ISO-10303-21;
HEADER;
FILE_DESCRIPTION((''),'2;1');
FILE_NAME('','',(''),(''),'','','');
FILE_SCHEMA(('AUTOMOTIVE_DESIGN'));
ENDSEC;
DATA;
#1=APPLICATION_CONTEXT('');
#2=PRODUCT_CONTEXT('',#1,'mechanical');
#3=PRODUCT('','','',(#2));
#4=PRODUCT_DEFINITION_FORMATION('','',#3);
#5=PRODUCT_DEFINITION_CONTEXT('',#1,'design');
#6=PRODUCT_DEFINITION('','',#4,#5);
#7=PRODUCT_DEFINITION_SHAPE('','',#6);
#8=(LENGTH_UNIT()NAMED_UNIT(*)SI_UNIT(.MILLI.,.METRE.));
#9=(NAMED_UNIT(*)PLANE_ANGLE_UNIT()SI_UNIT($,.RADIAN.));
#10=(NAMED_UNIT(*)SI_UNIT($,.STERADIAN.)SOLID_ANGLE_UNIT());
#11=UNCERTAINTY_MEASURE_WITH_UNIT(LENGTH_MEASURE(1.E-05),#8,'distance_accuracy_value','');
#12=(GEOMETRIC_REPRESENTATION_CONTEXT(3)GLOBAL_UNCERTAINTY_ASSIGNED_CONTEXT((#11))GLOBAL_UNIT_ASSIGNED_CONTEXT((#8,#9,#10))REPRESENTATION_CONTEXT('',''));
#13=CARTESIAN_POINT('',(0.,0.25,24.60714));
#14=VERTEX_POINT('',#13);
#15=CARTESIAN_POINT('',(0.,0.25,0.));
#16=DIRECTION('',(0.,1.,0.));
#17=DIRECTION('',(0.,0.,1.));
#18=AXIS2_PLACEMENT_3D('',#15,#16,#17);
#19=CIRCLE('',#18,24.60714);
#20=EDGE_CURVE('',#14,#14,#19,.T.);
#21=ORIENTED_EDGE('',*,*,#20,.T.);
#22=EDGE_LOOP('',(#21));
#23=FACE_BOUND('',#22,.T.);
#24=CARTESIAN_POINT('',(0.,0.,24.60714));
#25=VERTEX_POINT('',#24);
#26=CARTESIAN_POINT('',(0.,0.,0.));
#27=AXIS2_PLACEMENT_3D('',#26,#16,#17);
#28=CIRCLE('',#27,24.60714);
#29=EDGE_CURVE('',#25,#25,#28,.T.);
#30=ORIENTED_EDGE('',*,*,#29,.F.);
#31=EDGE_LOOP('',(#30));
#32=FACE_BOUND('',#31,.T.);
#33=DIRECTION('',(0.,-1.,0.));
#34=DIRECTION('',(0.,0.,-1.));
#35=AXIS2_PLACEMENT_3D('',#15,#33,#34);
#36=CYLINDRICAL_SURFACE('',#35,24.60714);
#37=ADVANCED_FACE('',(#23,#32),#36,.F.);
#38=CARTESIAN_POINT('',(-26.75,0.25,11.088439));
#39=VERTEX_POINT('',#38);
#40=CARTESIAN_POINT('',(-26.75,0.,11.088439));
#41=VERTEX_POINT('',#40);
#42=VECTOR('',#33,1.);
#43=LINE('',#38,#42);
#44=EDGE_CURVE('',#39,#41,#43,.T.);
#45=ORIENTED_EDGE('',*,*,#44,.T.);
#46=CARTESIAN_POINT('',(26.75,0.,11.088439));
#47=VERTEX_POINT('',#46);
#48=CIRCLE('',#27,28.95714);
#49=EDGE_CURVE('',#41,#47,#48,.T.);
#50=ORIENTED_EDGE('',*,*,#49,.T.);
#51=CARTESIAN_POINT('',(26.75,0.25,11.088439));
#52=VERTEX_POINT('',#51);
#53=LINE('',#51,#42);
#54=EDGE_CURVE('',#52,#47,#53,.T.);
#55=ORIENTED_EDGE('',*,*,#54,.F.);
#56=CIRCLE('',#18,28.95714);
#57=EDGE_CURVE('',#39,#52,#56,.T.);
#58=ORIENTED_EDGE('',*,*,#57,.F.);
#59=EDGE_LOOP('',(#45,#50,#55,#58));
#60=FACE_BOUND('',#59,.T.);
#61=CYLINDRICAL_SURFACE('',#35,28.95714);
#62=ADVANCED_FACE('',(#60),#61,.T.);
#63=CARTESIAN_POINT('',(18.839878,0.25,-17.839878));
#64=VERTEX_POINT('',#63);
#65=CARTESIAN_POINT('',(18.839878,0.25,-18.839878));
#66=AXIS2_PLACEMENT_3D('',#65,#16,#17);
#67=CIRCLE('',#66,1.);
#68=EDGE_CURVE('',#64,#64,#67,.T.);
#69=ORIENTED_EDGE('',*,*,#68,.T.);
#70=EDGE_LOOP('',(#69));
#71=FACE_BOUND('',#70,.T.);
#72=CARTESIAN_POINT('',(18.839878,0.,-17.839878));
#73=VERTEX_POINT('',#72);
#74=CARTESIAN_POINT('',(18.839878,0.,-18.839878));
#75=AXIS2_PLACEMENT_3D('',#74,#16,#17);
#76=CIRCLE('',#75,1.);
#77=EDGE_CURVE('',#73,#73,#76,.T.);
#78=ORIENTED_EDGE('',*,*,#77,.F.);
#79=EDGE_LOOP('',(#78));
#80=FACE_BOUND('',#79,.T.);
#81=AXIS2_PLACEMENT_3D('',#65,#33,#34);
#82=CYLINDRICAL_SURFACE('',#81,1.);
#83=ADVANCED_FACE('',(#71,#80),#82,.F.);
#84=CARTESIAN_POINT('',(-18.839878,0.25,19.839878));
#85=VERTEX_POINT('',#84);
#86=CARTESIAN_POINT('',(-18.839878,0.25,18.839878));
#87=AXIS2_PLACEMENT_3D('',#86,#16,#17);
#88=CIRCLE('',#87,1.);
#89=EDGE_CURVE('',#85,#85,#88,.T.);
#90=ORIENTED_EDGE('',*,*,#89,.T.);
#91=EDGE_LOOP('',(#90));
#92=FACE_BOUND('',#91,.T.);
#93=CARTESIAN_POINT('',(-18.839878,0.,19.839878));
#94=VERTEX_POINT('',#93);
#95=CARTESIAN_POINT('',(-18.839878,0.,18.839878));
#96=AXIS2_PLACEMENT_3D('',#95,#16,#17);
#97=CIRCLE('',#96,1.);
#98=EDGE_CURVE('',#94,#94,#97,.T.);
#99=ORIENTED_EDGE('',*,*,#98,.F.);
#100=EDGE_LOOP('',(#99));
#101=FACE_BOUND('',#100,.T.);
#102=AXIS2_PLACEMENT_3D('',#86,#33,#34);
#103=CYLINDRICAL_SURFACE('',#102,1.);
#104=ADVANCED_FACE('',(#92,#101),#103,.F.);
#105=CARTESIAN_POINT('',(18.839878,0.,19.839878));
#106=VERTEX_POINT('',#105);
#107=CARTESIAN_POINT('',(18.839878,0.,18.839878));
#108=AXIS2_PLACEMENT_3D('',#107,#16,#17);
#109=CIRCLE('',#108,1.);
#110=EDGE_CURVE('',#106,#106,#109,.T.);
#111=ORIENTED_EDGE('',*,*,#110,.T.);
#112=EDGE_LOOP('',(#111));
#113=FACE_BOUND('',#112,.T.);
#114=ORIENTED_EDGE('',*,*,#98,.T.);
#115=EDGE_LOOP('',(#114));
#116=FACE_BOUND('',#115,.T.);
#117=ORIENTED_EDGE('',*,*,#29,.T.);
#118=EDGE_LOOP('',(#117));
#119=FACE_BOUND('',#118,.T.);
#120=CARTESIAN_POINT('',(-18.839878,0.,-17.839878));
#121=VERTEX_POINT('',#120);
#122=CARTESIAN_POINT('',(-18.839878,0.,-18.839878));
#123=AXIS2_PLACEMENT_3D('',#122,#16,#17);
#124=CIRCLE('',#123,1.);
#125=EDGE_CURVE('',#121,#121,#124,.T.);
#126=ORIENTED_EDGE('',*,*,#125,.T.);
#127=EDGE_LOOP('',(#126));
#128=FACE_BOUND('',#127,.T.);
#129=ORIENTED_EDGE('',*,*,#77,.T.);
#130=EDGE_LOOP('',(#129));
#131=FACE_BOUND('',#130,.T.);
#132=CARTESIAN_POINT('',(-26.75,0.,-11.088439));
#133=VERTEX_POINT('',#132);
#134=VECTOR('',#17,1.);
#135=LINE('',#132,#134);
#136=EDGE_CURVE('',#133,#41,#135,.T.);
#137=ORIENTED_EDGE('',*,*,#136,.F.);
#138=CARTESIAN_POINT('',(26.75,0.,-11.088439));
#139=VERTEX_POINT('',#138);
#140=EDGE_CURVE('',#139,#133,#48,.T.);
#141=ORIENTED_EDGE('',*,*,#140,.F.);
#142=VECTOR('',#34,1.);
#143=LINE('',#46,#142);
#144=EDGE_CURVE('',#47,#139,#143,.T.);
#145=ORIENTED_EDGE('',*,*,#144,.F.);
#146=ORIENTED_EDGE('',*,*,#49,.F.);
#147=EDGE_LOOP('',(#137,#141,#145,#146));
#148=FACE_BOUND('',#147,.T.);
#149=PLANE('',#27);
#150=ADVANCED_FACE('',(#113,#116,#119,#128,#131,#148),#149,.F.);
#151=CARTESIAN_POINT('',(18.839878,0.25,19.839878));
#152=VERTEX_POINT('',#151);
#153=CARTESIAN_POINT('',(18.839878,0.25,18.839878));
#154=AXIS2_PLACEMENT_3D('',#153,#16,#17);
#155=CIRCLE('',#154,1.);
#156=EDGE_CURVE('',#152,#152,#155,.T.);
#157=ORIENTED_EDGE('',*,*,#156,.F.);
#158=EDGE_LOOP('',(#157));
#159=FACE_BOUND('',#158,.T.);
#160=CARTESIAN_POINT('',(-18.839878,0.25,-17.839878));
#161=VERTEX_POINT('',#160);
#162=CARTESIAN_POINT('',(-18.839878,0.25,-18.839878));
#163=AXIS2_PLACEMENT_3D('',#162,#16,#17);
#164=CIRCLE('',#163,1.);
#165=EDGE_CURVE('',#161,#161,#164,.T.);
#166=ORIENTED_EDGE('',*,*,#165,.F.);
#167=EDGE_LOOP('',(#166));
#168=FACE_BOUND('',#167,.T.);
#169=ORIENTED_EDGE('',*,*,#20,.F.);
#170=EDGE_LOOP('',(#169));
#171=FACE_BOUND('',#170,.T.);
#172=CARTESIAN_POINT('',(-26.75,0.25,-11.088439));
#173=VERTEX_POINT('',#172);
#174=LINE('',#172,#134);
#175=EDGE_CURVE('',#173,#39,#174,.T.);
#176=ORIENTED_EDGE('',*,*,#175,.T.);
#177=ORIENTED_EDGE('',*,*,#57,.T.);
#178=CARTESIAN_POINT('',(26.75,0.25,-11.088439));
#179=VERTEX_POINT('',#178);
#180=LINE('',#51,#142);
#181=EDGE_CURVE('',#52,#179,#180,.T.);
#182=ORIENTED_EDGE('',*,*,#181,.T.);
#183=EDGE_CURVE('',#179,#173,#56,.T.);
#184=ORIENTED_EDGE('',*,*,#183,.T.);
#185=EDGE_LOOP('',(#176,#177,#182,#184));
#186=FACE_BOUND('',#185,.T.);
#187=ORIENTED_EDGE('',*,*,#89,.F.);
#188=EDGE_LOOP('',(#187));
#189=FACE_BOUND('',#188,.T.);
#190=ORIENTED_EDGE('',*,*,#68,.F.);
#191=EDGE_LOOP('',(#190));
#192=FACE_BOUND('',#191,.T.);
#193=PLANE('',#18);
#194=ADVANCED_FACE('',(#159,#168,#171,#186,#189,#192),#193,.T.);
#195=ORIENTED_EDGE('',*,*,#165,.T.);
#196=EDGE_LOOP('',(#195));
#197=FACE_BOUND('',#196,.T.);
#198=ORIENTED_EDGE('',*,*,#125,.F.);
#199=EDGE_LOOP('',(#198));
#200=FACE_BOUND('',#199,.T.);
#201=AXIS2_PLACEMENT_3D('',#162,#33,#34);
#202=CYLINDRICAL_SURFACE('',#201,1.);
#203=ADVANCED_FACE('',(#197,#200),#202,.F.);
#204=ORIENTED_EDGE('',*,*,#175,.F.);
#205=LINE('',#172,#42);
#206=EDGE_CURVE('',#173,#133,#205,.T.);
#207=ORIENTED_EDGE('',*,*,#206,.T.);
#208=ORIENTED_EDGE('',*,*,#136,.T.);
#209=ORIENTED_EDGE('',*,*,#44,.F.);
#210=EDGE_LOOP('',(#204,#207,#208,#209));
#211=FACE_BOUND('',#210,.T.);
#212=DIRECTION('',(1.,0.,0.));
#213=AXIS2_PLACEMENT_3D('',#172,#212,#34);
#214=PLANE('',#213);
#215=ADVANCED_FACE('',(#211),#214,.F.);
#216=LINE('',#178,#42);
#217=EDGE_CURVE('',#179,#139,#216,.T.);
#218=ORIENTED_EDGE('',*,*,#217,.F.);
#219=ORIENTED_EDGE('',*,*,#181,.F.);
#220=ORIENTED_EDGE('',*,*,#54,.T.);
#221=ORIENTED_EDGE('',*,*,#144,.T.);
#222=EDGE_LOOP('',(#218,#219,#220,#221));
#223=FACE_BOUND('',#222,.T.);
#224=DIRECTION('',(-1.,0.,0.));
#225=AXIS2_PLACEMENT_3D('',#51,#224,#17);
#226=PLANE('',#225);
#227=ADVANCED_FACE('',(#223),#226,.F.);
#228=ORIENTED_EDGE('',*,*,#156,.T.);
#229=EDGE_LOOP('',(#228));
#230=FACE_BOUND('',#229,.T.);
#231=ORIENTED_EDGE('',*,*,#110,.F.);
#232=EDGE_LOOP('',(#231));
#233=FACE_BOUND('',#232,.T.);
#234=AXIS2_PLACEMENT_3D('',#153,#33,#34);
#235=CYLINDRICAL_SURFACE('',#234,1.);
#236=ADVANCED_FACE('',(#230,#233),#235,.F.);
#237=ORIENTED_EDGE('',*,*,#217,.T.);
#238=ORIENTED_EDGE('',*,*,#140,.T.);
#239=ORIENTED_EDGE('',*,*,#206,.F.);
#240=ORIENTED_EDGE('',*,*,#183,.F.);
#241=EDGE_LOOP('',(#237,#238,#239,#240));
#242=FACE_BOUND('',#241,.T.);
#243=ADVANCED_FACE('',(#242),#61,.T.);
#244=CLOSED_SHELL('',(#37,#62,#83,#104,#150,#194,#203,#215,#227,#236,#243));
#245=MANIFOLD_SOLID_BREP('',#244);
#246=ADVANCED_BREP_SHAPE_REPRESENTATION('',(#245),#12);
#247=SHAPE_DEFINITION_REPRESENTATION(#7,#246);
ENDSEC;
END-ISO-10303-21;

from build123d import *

# Parameters (mm, degrees)
SKETCH1_R           = 1
SKETCH1_R_2         = 24.607140245
BOSS_EXTRUDE1_DEPTH = 0.25


with BuildPart() as part:
    # Sketch1 → Boss-Extrude1 (new body)
    with BuildSketch(Plane(origin=(0, 0, 0), x_dir=(1, 0, 0), z_dir=(0, 1, 0))):
        with BuildLine():
            Line((-26.75, 11.088438625), (-26.75, -11.088438625))
            ThreePointArc((-26.75, -11.088438625), (0, -28.957140245), (26.75, -11.088438625))
            Line((26.75, -11.088438625), (26.75, 11.088438625))
            ThreePointArc((26.75, 11.088438625), (0, 28.957140245), (-26.75, 11.088438625))
        make_face()
        with Locations(Location((18.839877725, -18.839877725, 0), (0, 0, 270))):
            Circle(SKETCH1_R, mode=Mode.SUBTRACT)
        with Locations(Location((18.839877725, 18.839877725, 0), (0, 0, 270))):
            Circle(SKETCH1_R, mode=Mode.SUBTRACT)
        with Locations(Location((-18.839877725, 18.839877725, 0), (0, 0, 270))):
            Circle(SKETCH1_R, mode=Mode.SUBTRACT)
        with Locations(Location((-18.839877725, -18.839877725, 0), (0, 0, 270))):
            Circle(SKETCH1_R, mode=Mode.SUBTRACT)
        with Locations(Location((0, 0, 0), (0, 0, 270))):
            Circle(SKETCH1_R_2, mode=Mode.SUBTRACT)
    extrude(amount=BOSS_EXTRUDE1_DEPTH)


solid = part.part
